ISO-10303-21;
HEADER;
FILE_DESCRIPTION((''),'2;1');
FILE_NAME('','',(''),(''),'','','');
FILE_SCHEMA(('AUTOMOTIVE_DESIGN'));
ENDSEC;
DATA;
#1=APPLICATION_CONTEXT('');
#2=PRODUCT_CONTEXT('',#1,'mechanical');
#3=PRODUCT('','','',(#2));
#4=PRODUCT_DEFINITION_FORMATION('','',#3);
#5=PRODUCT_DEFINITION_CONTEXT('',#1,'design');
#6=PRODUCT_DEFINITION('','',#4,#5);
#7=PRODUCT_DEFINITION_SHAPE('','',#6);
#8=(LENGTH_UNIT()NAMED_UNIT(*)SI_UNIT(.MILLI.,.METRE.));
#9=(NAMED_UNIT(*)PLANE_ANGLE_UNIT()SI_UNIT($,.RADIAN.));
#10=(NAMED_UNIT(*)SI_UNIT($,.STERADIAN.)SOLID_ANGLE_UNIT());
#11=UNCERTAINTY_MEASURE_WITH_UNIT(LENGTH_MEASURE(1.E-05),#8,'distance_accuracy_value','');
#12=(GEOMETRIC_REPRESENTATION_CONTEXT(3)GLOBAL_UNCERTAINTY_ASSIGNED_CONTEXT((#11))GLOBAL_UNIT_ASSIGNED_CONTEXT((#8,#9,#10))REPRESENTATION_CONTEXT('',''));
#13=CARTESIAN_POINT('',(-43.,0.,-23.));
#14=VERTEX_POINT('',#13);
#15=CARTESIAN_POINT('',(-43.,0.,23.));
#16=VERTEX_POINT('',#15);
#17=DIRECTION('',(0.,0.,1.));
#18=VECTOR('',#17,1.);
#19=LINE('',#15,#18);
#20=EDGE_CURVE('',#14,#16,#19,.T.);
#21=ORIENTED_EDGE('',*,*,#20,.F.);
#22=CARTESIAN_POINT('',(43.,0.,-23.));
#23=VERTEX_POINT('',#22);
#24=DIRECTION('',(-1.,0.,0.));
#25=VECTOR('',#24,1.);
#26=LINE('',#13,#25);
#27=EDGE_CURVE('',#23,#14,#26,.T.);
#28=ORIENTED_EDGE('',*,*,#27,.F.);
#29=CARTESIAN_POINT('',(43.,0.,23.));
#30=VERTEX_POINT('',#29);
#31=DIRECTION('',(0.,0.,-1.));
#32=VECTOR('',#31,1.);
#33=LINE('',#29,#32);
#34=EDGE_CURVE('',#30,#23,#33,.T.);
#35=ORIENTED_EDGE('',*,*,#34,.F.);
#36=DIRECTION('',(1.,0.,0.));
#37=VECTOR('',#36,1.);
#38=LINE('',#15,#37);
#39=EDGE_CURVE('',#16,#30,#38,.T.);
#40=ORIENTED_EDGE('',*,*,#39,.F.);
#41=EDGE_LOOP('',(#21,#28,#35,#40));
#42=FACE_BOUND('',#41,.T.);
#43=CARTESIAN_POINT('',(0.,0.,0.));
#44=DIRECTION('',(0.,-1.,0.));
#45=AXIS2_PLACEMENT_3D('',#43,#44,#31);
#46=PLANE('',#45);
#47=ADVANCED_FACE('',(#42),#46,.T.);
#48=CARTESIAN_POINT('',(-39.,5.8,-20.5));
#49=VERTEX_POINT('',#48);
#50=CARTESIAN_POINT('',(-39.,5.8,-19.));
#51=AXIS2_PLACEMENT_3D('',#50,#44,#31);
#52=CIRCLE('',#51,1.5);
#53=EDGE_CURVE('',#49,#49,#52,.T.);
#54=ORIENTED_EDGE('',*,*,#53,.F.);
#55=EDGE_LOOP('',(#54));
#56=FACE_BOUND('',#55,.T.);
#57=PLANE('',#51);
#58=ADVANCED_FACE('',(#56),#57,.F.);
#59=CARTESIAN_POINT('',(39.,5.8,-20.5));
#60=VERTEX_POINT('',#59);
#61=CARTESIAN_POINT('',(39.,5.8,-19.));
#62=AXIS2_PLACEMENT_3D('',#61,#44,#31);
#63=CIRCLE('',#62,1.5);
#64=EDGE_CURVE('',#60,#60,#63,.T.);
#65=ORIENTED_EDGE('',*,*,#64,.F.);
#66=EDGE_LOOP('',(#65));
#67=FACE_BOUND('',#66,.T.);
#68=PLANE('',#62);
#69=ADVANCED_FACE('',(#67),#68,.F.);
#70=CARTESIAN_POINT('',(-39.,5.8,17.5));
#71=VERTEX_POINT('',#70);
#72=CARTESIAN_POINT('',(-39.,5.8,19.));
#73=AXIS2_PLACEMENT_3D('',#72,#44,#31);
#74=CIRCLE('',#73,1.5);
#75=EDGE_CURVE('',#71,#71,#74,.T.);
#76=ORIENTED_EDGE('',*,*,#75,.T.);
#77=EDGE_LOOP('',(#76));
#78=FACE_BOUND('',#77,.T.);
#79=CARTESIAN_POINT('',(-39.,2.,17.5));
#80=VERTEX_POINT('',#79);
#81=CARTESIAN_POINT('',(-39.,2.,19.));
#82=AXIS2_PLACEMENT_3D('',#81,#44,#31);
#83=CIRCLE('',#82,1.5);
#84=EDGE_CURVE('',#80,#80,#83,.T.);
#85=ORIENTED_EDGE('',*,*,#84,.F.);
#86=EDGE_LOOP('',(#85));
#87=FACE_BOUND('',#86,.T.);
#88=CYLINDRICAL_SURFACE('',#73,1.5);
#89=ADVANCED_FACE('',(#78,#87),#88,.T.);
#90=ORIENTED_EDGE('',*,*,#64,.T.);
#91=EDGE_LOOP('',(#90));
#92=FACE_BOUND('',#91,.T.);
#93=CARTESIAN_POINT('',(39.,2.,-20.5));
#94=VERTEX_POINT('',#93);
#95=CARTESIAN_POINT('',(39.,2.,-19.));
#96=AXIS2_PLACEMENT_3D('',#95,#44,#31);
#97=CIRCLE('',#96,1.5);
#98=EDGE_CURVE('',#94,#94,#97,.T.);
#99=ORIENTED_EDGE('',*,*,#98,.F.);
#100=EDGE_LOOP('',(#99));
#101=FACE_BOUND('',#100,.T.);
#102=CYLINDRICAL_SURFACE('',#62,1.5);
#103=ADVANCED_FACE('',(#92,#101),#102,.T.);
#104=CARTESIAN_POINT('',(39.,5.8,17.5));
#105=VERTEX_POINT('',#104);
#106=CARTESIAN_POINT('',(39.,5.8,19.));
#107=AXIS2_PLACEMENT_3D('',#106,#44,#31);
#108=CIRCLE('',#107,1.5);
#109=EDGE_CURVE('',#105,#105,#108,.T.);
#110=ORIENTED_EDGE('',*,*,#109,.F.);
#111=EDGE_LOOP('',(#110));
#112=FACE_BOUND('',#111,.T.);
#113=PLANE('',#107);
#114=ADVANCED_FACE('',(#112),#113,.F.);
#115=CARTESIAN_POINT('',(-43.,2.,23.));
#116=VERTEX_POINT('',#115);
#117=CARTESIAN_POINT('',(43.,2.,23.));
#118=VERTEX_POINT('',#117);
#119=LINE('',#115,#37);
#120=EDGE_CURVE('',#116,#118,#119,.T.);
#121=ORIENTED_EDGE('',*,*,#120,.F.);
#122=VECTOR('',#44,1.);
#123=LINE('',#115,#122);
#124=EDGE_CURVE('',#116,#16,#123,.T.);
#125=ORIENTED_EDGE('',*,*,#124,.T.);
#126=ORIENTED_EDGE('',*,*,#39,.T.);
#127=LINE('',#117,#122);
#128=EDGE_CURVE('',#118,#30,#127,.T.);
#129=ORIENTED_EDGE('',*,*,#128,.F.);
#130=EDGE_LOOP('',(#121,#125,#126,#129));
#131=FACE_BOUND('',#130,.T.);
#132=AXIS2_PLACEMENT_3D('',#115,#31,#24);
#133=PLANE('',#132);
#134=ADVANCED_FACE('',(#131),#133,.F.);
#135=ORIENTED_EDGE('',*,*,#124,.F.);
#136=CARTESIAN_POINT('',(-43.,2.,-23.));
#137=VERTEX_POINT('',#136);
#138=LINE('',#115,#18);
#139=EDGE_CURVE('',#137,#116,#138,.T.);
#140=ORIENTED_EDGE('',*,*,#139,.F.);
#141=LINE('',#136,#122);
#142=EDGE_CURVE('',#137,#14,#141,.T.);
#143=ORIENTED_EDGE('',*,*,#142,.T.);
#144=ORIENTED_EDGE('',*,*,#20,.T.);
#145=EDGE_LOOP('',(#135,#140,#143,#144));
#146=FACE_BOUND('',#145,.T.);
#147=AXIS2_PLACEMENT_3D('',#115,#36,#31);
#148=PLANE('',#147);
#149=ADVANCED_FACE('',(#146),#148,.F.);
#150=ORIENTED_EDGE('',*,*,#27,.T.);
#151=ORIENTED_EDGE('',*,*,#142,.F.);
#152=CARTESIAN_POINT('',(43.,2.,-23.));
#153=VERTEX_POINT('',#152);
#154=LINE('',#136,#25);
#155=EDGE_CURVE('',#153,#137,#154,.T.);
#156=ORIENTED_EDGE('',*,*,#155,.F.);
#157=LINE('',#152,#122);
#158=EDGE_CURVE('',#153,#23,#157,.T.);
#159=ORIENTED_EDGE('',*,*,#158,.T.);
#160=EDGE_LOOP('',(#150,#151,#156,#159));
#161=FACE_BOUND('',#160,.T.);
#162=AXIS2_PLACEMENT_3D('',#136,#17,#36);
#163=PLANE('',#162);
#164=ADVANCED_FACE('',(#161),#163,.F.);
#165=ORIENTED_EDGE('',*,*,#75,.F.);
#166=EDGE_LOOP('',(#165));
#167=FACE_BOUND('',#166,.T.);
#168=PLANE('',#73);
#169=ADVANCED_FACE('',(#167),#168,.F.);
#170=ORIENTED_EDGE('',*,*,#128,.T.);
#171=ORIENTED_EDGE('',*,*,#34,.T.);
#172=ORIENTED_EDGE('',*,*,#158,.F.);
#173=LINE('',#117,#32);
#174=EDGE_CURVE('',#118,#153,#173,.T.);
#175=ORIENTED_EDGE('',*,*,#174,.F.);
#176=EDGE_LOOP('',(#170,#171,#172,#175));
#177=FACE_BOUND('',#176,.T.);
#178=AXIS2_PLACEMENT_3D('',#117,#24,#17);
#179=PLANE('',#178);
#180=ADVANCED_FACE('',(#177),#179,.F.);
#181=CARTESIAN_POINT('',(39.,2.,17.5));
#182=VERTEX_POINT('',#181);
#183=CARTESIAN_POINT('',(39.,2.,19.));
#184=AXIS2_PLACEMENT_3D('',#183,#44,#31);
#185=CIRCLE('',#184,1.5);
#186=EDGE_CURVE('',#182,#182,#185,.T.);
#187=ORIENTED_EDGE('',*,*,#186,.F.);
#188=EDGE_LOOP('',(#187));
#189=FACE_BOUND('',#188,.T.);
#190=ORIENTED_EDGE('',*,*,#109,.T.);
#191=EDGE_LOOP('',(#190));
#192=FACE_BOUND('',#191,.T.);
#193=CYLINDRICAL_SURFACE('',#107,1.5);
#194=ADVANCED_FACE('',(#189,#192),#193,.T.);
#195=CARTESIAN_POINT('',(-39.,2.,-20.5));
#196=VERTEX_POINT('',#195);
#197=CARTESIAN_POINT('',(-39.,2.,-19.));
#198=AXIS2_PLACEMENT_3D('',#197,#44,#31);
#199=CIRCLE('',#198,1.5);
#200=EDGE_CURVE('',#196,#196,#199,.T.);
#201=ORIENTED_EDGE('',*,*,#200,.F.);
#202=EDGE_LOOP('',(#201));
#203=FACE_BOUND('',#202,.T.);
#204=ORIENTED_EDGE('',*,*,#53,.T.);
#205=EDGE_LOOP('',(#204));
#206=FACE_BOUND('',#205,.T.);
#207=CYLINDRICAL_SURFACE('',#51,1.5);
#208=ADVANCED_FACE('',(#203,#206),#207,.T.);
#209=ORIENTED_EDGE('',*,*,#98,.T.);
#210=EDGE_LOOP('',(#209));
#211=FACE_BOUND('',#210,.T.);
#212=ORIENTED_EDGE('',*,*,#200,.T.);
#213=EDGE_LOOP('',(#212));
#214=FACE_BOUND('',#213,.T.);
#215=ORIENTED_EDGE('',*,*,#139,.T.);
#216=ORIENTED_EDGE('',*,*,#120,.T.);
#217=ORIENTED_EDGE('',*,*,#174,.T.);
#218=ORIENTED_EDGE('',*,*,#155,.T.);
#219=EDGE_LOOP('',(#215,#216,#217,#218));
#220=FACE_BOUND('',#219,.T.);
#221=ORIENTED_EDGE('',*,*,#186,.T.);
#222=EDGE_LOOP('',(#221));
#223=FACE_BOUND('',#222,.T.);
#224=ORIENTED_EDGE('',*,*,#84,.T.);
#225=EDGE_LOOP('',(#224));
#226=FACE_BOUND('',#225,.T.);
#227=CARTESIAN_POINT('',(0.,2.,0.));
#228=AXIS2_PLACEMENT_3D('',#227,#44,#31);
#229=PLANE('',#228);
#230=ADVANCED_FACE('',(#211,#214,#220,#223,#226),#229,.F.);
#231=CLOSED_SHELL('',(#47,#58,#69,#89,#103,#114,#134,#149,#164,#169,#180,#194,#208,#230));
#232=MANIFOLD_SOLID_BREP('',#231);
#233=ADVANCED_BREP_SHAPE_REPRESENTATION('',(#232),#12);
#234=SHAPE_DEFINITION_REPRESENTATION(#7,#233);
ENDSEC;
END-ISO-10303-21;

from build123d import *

# Parameters (mm, degrees)
SKETCH_1_W      = 86
SKETCH_1_H      = 46
EXTRUDE_1_DEPTH = 2
SKETCH_2_R      = 1.5
EXTRUDE_2_DEPTH = 5.8


with BuildPart() as part:
    # 草图1 → 凸台-拉伸1 (new body)
    with BuildSketch(Plane(origin=(0, 0, 0), x_dir=(1, 0, 0), z_dir=(0, 1, 0))):
        Rectangle(SKETCH_1_W, SKETCH_1_H)
    extrude(amount=EXTRUDE_1_DEPTH)

    # 草图2 → 凸台-拉伸2 (add)
    with BuildSketch(Plane.XZ):
        with Locations(Location((-39, 19, 0), (0, 0, 270))):
            Circle(SKETCH_2_R)
        with Locations(Location((-39, -19, 0), (0, 0, 270))):
            Circle(SKETCH_2_R)
        with Locations(Location((39, 19, 0), (0, 0, 270))):
            Circle(SKETCH_2_R)
        with Locations(Location((39, -19, 0), (0, 0, 270))):
            Circle(SKETCH_2_R)
    extrude(amount=-EXTRUDE_2_DEPTH)


solid = part.part
